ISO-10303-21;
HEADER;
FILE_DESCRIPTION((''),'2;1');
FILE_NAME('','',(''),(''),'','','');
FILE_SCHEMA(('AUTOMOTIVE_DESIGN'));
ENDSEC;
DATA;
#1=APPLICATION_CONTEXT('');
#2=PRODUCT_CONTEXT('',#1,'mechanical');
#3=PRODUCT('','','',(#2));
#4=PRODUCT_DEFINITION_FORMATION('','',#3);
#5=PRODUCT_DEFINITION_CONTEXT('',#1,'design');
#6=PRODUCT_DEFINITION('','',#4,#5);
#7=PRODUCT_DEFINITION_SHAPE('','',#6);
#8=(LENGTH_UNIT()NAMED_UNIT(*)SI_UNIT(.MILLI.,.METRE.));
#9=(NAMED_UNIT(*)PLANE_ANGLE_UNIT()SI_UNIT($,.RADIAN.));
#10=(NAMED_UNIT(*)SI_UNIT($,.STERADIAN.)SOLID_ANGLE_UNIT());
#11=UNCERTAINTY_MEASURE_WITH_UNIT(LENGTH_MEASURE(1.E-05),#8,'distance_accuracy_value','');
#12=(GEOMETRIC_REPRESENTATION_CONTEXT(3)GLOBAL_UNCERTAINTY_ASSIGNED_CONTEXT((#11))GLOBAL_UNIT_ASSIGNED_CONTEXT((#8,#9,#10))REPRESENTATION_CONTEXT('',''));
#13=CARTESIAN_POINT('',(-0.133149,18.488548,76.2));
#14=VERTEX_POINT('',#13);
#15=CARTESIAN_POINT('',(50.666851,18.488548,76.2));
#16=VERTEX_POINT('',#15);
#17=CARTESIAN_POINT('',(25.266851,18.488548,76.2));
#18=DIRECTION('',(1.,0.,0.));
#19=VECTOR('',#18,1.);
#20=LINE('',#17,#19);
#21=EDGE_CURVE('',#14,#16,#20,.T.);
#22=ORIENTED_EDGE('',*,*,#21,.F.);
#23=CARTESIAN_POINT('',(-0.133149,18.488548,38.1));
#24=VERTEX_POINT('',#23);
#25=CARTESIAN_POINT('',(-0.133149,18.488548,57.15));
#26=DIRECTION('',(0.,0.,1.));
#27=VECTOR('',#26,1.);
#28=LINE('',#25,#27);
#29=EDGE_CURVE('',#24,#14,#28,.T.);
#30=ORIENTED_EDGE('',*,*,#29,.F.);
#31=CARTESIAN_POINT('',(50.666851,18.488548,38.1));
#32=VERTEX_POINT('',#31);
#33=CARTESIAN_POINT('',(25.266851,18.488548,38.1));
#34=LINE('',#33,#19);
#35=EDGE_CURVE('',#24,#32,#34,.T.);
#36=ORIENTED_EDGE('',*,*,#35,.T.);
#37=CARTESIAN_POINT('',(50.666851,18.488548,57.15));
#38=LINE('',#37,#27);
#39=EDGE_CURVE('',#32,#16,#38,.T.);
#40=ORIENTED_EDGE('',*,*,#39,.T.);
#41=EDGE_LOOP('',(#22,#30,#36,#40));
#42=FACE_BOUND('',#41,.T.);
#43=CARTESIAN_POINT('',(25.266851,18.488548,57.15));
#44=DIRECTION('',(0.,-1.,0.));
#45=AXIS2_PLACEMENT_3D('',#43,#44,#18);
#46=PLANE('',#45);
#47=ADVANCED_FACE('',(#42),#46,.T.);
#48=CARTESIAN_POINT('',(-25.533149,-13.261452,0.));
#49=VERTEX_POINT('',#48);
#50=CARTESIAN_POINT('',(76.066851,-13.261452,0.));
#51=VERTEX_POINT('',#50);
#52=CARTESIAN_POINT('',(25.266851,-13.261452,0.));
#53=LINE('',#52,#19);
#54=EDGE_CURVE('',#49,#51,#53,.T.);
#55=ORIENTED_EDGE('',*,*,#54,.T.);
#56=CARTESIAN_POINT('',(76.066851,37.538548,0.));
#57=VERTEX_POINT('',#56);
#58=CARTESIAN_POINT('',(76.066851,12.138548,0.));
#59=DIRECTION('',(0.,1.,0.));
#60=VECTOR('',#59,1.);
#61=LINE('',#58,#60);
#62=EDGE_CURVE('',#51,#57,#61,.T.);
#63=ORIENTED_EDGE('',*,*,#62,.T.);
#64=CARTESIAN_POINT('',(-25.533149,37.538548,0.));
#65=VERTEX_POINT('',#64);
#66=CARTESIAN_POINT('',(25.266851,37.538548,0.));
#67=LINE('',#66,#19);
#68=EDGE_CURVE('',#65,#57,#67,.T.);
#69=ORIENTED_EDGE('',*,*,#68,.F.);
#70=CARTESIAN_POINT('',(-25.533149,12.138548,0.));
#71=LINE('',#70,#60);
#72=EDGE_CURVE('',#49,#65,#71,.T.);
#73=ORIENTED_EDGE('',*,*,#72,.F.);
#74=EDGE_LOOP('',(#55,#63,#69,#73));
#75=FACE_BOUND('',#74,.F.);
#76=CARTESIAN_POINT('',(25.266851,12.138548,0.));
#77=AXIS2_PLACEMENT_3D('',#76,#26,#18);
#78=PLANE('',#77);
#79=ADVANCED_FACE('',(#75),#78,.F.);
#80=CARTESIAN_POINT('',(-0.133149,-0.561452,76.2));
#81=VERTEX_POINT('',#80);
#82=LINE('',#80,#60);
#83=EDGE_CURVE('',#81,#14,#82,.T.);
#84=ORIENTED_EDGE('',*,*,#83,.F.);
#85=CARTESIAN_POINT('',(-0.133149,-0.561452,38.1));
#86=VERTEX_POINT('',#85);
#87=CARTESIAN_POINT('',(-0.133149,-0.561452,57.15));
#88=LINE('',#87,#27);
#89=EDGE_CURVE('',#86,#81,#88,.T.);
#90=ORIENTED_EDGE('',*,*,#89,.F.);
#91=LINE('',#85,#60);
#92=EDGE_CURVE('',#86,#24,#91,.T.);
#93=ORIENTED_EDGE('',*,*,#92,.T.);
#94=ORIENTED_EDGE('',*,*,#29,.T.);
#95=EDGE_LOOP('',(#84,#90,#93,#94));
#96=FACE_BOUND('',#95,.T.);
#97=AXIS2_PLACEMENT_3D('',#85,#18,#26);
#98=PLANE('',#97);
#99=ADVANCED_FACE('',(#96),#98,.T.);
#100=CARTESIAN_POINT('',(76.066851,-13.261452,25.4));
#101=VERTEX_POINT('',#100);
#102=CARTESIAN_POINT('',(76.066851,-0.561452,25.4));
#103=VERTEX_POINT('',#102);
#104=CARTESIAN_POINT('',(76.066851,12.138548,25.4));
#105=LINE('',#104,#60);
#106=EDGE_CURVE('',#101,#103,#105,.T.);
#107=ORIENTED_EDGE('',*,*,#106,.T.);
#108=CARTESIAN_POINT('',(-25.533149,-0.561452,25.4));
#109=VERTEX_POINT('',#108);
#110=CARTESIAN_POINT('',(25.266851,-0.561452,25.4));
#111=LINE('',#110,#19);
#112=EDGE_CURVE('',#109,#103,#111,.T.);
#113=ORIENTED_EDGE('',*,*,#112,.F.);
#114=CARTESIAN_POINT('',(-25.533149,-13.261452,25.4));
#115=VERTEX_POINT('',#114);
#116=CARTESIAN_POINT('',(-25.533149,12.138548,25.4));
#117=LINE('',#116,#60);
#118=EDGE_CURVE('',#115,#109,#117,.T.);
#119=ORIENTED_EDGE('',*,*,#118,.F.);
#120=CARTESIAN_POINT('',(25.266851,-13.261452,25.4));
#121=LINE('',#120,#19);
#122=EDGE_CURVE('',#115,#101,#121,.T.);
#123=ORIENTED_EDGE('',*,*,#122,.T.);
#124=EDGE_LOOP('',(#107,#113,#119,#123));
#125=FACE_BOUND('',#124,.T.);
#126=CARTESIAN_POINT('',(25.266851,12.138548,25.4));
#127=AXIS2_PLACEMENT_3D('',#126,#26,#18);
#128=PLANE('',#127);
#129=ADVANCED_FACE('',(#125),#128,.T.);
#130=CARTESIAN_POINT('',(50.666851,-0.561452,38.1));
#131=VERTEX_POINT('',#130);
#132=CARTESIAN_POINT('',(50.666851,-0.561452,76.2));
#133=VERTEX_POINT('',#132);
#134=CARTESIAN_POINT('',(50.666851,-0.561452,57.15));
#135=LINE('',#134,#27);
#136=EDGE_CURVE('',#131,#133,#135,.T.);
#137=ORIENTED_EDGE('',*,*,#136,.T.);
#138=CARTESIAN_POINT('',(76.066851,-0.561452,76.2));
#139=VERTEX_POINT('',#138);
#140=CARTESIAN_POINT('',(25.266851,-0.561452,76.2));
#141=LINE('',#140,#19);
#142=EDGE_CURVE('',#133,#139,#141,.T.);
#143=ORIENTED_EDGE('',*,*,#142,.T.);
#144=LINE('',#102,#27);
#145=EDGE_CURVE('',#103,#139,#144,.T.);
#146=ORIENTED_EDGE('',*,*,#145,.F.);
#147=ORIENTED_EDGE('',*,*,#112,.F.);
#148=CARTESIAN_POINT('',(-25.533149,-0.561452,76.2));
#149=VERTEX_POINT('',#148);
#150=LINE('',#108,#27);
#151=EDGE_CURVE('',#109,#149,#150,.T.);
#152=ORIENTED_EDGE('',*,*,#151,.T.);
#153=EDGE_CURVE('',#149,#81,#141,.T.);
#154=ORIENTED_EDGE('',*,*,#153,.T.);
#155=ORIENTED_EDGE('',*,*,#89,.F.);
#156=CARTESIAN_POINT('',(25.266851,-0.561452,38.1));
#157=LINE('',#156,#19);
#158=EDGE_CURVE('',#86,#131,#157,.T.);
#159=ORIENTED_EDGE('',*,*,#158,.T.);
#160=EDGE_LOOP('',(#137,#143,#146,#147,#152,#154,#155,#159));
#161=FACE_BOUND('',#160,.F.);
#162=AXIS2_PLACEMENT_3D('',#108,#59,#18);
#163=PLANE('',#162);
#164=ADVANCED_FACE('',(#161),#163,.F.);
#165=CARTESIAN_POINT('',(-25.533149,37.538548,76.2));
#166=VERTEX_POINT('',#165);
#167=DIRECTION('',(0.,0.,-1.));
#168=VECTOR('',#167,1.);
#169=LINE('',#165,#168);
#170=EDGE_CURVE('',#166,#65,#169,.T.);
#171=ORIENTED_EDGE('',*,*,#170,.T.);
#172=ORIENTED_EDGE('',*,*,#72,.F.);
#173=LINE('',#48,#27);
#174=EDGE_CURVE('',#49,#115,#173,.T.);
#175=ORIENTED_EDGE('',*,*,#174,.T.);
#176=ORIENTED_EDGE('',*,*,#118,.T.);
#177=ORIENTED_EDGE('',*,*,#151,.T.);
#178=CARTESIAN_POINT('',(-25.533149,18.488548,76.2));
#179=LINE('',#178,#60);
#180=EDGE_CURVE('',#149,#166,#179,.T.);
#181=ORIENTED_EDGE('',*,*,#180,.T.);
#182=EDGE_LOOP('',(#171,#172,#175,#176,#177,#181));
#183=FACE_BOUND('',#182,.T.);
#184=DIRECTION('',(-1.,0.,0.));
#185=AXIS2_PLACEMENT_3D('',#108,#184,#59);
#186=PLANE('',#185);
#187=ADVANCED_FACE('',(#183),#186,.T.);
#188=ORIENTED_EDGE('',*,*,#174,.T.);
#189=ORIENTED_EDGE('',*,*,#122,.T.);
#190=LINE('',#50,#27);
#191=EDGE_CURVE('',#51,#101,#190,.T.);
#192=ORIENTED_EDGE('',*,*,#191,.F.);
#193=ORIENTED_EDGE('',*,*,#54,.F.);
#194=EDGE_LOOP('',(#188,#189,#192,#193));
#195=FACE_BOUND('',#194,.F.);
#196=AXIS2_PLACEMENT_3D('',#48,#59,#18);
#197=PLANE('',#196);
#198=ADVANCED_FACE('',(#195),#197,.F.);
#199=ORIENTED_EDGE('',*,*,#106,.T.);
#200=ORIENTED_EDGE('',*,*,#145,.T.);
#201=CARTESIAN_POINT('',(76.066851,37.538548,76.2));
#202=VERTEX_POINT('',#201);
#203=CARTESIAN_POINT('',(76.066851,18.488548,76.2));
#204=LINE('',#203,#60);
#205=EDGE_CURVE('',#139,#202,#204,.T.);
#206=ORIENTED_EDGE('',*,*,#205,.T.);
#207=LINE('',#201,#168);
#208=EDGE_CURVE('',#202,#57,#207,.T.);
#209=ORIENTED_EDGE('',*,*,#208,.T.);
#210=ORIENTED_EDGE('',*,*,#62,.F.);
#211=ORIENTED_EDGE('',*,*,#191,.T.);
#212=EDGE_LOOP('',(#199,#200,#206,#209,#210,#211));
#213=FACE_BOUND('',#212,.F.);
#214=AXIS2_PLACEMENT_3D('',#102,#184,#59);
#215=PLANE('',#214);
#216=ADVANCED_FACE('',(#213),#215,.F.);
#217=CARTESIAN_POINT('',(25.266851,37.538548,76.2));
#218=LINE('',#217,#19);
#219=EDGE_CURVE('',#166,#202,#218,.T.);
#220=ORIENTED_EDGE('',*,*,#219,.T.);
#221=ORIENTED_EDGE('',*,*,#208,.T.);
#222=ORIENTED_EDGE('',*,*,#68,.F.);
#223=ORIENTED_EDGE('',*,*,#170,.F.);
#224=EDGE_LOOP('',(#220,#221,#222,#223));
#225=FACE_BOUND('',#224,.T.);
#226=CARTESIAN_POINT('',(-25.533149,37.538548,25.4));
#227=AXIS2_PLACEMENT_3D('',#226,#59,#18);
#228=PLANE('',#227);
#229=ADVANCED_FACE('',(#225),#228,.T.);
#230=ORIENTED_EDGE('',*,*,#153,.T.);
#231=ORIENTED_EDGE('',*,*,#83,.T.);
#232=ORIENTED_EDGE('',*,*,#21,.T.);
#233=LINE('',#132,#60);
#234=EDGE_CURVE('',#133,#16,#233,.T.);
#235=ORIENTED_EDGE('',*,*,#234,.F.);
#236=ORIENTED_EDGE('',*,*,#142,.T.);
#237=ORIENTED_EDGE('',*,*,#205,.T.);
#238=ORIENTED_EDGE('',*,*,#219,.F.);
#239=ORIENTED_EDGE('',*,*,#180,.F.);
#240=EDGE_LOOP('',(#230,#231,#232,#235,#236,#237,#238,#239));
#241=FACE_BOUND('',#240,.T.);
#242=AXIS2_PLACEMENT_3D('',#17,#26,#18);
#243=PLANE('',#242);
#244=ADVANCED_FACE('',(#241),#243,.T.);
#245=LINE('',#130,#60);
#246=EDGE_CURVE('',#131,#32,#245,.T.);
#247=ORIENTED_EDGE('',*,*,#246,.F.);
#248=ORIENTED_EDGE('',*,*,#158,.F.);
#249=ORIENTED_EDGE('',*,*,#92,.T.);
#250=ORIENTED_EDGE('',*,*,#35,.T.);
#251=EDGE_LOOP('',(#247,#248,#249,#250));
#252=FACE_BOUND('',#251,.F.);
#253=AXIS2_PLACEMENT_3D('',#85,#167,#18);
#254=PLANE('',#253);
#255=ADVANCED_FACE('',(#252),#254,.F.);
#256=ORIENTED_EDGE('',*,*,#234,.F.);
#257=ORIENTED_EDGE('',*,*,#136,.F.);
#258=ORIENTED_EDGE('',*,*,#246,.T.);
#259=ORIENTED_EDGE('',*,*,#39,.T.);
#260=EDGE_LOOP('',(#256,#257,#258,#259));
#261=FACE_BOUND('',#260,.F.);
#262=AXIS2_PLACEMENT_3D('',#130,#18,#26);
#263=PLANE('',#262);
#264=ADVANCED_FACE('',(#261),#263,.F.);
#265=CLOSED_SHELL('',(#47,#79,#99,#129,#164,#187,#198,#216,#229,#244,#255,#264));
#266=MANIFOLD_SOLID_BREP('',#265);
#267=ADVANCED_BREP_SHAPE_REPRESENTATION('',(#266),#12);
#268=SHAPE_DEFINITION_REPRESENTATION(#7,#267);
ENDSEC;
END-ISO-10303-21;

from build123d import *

# Parameters (mm, degrees)
F0_W     = 101.6
F0_H     = 50.8
F1_DEPTH = 25.4
F2_W     = 101.6
F2_H     = 38.1
F3_DEPTH = 50.8
F4_W     = 50.8
F4_H     = 38.1
F5_DEPTH = 19.05


with BuildPart() as f1:
    # F0 (on Top) → F1 (new body)
    with BuildSketch(Plane.XY):
        with Locations((25.266851, 12.138548)):
            Rectangle(F0_W, F0_H)
    extrude(amount=F1_DEPTH)

    # F2 (on face) → F3 (join)
    with BuildSketch(Plane.XY.offset(25.4)):
        with Locations((25.266851, 18.488548)):
            Rectangle(F2_W, F2_H)
    extrude(amount=F3_DEPTH)

    # F4 (on face) → F5 (cut)
    with BuildSketch(Plane.XZ.offset(0.561452)):
        with Locations((25.266851, 57.15)):
            Rectangle(F4_W, F4_H)
    extrude(amount=-F5_DEPTH, mode=Mode.SUBTRACT)


solid = f1.part
